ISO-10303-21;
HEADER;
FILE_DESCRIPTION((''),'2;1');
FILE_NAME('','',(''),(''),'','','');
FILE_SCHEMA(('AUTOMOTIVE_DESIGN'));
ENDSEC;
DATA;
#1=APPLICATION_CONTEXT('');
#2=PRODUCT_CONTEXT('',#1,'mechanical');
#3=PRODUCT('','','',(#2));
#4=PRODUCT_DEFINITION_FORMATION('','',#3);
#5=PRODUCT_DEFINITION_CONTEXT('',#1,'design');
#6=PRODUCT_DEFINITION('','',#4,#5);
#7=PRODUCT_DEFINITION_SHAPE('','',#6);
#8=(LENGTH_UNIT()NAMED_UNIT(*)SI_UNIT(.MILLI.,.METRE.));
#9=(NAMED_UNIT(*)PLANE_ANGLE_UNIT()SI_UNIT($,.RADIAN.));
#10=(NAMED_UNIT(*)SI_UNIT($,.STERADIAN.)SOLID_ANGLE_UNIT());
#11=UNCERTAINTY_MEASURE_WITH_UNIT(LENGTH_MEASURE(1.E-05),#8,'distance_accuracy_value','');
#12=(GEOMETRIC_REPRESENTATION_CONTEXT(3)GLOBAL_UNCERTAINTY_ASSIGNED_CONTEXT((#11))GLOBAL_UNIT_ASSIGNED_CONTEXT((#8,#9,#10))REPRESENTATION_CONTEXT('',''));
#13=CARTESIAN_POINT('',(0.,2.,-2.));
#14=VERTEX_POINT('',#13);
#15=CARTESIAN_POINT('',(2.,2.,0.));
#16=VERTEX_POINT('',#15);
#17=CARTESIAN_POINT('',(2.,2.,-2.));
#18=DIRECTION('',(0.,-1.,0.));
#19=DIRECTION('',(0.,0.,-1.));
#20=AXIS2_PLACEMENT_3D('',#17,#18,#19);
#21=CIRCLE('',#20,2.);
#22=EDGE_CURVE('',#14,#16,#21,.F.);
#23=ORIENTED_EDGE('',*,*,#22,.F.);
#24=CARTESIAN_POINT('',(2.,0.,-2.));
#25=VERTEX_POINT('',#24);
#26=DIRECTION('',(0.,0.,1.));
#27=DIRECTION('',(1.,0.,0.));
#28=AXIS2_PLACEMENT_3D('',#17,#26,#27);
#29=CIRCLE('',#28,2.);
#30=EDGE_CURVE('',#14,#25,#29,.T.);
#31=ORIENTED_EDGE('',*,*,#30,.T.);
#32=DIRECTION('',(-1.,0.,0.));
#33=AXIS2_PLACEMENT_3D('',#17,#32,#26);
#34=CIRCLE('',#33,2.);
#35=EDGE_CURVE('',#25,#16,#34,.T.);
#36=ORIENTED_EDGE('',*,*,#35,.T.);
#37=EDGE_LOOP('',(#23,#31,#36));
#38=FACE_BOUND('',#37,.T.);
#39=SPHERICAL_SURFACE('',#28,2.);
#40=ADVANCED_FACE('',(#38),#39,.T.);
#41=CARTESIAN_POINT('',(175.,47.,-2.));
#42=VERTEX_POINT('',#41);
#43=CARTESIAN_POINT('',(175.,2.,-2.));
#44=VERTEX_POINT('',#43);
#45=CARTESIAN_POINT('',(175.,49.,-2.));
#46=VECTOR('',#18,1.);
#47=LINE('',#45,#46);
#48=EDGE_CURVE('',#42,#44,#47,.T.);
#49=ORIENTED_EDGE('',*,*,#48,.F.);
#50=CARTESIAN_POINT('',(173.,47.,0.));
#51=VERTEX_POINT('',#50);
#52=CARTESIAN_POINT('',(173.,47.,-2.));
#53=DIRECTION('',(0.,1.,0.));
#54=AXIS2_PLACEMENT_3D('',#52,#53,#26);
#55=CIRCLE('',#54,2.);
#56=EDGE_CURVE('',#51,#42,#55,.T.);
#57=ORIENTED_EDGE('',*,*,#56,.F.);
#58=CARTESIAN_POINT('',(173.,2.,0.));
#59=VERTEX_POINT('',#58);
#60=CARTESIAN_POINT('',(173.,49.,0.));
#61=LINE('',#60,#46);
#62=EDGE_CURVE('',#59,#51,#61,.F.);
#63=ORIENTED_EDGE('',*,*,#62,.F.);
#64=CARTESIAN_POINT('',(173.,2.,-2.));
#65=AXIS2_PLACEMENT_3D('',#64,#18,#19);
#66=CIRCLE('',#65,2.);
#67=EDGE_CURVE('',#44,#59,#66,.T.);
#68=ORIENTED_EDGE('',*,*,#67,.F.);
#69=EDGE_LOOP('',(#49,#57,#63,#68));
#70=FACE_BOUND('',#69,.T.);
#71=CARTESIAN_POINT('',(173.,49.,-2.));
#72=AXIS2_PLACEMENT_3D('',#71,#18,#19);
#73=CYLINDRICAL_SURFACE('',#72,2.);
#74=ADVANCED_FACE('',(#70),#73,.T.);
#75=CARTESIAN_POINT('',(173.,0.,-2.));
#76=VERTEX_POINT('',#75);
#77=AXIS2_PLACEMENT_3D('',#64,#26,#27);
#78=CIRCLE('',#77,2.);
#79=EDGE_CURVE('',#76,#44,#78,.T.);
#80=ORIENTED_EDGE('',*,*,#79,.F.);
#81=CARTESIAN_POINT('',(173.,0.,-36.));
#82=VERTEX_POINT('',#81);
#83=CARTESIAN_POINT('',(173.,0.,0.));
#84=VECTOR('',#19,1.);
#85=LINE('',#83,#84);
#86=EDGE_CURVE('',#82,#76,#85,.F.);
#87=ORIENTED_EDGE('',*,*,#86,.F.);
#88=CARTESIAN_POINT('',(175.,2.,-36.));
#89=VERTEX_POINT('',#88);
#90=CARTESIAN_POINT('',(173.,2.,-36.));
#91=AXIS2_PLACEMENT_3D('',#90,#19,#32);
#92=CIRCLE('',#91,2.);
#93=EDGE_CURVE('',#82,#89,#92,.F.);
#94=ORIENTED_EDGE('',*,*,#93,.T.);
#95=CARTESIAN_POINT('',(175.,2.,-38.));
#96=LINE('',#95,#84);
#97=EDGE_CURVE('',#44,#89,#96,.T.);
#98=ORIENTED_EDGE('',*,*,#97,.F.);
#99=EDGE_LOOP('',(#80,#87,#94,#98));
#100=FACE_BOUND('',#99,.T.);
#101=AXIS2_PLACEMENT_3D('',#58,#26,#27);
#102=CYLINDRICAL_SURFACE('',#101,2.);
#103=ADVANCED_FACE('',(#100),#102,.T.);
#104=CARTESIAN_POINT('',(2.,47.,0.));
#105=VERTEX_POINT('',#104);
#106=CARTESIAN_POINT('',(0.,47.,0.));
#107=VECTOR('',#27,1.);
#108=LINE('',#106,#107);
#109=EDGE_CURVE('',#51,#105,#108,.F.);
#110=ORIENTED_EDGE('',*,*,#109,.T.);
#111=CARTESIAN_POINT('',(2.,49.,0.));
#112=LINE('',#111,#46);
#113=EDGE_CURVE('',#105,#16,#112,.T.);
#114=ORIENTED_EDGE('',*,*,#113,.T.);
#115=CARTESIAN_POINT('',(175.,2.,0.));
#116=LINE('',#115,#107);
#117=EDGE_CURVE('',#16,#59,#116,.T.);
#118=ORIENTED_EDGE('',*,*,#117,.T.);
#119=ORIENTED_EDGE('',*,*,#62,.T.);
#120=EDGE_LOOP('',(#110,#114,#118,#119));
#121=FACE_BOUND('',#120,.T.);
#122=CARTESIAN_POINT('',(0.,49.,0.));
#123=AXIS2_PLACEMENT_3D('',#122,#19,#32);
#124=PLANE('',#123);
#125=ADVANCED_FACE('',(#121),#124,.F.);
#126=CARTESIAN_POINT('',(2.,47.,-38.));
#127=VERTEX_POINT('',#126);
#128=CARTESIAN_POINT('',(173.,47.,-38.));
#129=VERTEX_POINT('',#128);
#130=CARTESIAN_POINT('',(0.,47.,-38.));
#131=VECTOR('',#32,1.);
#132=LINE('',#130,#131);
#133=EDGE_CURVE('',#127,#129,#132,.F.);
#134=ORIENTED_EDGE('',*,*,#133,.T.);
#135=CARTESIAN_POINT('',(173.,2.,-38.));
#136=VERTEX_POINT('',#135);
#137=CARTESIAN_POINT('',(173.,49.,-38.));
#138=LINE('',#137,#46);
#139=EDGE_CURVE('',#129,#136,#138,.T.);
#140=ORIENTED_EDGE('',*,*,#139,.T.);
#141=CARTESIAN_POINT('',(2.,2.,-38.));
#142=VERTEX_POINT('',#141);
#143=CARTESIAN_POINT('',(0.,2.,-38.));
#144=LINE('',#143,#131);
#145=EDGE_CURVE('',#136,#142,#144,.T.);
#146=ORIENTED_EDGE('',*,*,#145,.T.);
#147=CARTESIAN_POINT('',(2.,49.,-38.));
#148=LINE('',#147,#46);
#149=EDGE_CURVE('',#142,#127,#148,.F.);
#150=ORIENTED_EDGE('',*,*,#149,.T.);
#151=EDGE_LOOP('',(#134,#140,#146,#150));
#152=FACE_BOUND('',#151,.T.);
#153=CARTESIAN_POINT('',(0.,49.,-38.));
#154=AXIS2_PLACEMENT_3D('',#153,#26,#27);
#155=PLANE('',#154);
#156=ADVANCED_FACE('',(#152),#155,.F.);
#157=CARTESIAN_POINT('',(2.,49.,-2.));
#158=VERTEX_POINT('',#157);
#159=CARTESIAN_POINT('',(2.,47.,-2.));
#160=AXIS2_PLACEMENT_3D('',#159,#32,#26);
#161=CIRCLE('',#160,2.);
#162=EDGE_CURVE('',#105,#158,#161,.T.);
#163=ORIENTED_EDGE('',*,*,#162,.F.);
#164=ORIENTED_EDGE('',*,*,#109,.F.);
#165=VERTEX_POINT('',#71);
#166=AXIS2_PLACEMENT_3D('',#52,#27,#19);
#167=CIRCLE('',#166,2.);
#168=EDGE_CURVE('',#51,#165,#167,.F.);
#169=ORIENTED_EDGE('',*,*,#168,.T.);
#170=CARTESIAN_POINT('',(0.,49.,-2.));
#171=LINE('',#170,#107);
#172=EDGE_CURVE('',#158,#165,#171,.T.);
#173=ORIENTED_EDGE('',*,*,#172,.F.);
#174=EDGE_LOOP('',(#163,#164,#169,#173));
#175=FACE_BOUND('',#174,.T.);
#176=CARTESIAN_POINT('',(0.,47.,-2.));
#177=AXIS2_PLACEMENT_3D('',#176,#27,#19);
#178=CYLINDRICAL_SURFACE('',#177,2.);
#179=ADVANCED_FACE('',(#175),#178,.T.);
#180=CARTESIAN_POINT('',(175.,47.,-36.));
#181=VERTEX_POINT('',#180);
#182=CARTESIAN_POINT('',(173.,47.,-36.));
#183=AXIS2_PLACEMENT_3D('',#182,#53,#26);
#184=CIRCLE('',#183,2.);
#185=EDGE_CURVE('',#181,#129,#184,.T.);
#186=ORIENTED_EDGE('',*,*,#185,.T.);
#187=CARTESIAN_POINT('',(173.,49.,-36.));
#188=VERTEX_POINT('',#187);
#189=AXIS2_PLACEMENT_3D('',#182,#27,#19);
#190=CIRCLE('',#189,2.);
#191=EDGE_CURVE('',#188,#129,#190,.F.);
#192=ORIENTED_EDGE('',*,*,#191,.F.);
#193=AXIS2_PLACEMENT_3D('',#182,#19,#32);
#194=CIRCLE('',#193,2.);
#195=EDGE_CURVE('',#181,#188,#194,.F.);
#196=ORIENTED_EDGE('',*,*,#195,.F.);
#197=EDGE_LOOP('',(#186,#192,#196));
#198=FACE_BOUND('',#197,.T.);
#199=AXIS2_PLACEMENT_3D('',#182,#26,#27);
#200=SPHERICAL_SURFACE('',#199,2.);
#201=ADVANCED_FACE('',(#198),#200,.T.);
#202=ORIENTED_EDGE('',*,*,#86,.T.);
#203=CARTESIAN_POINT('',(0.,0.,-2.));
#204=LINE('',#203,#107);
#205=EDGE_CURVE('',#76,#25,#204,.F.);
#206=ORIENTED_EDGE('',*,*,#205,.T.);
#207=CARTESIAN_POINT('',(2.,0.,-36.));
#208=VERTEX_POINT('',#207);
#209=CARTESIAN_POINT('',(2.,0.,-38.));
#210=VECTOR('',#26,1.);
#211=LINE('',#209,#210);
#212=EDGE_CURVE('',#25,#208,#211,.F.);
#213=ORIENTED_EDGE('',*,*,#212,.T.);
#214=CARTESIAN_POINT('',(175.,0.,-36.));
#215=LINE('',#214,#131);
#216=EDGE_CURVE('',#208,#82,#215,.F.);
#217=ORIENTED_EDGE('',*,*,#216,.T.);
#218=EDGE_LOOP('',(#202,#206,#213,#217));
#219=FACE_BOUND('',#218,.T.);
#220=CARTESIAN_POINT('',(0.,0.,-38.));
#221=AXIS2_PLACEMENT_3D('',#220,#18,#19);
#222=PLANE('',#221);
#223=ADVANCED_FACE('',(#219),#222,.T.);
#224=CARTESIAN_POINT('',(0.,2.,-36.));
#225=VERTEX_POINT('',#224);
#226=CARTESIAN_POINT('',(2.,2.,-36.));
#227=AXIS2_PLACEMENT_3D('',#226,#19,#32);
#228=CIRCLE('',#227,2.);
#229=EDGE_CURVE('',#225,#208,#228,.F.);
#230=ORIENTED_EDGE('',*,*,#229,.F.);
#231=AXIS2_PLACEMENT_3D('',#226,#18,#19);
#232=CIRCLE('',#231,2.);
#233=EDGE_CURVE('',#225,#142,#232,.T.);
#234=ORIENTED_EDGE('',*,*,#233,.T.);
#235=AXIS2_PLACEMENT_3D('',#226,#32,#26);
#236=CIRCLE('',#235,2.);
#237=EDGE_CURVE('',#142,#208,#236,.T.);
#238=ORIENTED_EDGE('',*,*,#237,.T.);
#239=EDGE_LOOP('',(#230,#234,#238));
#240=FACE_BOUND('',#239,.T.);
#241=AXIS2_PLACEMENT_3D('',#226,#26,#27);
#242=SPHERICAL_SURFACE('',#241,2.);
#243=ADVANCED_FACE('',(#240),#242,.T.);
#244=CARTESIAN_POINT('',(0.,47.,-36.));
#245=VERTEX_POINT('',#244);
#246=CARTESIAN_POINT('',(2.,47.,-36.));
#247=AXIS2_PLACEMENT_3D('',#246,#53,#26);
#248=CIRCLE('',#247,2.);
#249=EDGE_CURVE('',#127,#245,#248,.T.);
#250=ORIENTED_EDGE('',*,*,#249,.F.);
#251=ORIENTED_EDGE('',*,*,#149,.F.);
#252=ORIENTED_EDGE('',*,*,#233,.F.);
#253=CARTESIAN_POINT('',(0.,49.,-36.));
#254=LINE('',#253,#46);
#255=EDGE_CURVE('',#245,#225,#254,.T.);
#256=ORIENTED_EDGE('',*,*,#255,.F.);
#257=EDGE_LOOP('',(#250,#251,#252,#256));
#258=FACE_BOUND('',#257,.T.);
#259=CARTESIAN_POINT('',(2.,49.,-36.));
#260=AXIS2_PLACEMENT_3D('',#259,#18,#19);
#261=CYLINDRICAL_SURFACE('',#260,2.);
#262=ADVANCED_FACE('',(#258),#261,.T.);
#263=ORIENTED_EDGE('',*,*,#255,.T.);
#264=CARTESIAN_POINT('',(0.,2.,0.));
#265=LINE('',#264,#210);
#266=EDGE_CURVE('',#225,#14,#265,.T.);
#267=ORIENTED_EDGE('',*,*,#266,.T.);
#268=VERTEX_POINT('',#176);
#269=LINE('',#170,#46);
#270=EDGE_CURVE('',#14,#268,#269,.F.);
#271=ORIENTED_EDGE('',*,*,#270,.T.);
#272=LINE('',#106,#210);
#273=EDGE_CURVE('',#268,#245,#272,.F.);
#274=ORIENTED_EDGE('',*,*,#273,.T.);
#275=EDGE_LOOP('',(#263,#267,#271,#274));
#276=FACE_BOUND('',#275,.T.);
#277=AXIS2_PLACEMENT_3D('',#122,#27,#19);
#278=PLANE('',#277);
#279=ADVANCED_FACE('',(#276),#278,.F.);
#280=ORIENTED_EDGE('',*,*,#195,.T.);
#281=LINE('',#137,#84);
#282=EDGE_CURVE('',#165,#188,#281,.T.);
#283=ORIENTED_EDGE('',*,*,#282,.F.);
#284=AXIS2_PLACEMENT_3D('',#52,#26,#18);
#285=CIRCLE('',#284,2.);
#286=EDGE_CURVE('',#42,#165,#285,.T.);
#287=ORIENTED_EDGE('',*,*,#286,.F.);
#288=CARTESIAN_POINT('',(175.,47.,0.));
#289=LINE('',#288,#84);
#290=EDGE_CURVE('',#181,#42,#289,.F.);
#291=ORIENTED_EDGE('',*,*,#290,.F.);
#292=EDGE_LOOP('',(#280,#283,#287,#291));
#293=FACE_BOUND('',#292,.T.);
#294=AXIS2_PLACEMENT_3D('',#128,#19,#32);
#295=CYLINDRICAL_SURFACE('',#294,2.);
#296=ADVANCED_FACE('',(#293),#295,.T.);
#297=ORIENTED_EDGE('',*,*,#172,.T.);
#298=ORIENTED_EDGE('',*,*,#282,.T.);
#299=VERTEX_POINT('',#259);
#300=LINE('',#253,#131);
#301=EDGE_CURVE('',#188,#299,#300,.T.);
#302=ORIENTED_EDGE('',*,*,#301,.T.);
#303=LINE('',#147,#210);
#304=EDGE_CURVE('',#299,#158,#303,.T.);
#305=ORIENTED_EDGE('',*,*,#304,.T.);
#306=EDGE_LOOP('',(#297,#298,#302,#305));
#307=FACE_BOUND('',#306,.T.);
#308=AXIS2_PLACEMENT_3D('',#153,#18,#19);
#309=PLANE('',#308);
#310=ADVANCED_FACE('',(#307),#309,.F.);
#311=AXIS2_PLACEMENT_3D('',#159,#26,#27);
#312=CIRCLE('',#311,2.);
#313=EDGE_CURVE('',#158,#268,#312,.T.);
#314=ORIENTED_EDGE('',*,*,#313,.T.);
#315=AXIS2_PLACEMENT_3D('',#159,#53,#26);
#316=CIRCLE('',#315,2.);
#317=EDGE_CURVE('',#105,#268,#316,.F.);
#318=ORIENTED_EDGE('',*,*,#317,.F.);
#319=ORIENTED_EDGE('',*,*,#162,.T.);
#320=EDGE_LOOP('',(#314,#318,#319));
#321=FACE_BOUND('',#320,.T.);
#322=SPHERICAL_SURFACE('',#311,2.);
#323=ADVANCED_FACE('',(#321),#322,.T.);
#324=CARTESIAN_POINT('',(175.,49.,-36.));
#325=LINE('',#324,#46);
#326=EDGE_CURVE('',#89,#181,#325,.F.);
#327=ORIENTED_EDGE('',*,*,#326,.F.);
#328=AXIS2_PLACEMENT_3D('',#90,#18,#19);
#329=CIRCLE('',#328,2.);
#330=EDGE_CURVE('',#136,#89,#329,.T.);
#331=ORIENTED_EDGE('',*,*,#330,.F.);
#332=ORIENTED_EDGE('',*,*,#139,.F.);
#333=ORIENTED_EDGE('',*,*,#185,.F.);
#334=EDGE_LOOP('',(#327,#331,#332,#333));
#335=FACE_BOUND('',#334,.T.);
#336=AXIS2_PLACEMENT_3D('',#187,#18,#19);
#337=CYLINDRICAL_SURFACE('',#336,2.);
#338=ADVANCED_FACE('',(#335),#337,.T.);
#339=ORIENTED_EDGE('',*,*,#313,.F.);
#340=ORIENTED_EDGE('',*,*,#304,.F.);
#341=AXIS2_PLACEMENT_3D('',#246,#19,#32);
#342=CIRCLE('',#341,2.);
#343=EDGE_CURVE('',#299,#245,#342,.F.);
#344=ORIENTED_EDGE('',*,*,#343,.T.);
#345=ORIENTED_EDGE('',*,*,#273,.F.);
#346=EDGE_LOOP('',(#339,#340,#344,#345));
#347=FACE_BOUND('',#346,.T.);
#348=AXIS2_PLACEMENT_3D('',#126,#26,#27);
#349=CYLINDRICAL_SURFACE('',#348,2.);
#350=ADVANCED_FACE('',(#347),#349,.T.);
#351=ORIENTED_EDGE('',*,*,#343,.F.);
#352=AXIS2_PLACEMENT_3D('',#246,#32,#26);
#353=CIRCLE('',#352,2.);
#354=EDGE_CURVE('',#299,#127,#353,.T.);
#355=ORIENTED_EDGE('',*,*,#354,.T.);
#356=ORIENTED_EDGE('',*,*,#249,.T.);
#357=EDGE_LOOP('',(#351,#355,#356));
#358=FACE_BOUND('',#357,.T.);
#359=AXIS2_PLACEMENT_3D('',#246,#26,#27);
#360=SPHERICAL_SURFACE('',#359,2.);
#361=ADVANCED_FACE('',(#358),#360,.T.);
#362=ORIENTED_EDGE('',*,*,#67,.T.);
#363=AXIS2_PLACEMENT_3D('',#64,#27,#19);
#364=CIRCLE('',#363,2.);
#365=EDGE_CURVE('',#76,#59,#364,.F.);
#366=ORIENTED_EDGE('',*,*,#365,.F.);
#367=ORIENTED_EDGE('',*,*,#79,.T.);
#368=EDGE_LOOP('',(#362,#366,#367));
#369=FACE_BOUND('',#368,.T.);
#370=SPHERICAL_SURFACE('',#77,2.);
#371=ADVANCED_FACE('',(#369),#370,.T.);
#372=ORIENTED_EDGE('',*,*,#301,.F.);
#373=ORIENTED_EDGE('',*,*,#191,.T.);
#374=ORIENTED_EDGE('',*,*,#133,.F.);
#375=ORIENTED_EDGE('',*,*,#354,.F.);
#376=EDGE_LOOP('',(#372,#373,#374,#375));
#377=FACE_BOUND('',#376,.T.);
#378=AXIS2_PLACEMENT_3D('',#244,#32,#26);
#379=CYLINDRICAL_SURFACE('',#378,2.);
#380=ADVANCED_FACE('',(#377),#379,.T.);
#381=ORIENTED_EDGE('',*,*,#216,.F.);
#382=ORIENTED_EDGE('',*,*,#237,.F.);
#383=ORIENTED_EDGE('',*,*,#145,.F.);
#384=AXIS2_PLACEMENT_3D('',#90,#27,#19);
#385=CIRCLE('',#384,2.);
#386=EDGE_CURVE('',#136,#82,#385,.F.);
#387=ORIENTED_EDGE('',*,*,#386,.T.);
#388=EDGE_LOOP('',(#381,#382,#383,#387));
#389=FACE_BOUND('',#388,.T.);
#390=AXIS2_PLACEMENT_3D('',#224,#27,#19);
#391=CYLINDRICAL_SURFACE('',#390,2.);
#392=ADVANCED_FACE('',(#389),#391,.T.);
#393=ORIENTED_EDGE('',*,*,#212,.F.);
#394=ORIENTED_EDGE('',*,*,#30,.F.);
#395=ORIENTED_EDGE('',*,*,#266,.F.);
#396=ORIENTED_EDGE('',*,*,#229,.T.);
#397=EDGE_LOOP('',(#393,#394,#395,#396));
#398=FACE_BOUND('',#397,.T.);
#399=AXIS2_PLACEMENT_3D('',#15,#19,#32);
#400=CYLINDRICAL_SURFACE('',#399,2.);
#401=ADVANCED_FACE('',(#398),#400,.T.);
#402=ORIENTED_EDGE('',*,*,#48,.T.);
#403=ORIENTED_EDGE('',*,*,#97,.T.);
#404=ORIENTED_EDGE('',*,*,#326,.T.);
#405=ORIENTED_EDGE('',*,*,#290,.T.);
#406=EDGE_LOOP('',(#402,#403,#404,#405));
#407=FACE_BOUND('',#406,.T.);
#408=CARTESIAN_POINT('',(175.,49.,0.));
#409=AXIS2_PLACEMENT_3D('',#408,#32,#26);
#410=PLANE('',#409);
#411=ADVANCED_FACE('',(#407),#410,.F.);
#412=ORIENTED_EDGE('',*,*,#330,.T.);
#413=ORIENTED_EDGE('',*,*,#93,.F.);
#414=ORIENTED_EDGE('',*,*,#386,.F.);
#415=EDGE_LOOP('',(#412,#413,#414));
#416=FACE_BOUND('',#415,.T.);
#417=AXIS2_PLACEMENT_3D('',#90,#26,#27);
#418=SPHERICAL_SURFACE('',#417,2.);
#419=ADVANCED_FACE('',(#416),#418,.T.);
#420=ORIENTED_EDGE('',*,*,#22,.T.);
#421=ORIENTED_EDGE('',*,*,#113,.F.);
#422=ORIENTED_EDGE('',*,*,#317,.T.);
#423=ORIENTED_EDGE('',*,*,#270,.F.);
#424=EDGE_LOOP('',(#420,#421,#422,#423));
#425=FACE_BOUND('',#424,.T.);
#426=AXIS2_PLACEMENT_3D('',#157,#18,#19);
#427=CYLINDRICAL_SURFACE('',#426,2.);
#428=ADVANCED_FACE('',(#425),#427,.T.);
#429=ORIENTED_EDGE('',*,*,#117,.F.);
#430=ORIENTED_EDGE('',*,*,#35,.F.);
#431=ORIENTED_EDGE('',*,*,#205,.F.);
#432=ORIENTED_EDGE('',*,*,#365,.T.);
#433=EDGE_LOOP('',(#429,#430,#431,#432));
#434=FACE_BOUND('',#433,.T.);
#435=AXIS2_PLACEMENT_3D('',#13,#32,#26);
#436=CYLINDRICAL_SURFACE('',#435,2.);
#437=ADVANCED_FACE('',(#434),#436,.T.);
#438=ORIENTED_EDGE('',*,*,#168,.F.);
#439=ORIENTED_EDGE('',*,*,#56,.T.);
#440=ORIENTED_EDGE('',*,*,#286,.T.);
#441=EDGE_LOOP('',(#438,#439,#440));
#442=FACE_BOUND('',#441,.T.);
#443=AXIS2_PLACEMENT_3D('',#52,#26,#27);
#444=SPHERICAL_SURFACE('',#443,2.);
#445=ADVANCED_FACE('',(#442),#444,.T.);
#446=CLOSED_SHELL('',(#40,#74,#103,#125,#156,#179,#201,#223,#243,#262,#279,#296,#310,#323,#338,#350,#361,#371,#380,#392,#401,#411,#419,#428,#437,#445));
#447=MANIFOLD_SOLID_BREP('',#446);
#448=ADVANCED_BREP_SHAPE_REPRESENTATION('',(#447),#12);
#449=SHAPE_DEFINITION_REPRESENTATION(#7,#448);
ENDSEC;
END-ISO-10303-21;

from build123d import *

# Parameters (mm, degrees)
SKETCH1_W           = 175
SKETCH1_H           = 38
BOSS_EXTRUDE1_DEPTH = 49
FILLET1_R           = 2


with BuildPart() as part:
    # Sketch1 → Boss-Extrude1 (new body)
    with BuildSketch(Plane(origin=(0, 0, 0), x_dir=(1, 0, 0), z_dir=(0, 1, 0))):
        with Locations((87.5, 19)):
            Rectangle(SKETCH1_W, SKETCH1_H)
    extrude(amount=BOSS_EXTRUDE1_DEPTH)

    # Fillet1
    fillet1_edges = [part.edges().sort_by_distance(p)[0] for p in [
        (175, 49, -19),
        (87.5, 49, -38),
        (0, 49, -19),
        (87.5, 0, -38),
        (175, 0, -19),
        (87.5, 0, 0),
        (0, 0, -19),
        (87.5, 49, 0),
        (0, 24.5, -38),
        (175, 24.5, -38),
        (175, 24.5, 0),
        (0, 24.5, 0),
    ]]
    fillet(fillet1_edges, radius=FILLET1_R)


solid = part.part
